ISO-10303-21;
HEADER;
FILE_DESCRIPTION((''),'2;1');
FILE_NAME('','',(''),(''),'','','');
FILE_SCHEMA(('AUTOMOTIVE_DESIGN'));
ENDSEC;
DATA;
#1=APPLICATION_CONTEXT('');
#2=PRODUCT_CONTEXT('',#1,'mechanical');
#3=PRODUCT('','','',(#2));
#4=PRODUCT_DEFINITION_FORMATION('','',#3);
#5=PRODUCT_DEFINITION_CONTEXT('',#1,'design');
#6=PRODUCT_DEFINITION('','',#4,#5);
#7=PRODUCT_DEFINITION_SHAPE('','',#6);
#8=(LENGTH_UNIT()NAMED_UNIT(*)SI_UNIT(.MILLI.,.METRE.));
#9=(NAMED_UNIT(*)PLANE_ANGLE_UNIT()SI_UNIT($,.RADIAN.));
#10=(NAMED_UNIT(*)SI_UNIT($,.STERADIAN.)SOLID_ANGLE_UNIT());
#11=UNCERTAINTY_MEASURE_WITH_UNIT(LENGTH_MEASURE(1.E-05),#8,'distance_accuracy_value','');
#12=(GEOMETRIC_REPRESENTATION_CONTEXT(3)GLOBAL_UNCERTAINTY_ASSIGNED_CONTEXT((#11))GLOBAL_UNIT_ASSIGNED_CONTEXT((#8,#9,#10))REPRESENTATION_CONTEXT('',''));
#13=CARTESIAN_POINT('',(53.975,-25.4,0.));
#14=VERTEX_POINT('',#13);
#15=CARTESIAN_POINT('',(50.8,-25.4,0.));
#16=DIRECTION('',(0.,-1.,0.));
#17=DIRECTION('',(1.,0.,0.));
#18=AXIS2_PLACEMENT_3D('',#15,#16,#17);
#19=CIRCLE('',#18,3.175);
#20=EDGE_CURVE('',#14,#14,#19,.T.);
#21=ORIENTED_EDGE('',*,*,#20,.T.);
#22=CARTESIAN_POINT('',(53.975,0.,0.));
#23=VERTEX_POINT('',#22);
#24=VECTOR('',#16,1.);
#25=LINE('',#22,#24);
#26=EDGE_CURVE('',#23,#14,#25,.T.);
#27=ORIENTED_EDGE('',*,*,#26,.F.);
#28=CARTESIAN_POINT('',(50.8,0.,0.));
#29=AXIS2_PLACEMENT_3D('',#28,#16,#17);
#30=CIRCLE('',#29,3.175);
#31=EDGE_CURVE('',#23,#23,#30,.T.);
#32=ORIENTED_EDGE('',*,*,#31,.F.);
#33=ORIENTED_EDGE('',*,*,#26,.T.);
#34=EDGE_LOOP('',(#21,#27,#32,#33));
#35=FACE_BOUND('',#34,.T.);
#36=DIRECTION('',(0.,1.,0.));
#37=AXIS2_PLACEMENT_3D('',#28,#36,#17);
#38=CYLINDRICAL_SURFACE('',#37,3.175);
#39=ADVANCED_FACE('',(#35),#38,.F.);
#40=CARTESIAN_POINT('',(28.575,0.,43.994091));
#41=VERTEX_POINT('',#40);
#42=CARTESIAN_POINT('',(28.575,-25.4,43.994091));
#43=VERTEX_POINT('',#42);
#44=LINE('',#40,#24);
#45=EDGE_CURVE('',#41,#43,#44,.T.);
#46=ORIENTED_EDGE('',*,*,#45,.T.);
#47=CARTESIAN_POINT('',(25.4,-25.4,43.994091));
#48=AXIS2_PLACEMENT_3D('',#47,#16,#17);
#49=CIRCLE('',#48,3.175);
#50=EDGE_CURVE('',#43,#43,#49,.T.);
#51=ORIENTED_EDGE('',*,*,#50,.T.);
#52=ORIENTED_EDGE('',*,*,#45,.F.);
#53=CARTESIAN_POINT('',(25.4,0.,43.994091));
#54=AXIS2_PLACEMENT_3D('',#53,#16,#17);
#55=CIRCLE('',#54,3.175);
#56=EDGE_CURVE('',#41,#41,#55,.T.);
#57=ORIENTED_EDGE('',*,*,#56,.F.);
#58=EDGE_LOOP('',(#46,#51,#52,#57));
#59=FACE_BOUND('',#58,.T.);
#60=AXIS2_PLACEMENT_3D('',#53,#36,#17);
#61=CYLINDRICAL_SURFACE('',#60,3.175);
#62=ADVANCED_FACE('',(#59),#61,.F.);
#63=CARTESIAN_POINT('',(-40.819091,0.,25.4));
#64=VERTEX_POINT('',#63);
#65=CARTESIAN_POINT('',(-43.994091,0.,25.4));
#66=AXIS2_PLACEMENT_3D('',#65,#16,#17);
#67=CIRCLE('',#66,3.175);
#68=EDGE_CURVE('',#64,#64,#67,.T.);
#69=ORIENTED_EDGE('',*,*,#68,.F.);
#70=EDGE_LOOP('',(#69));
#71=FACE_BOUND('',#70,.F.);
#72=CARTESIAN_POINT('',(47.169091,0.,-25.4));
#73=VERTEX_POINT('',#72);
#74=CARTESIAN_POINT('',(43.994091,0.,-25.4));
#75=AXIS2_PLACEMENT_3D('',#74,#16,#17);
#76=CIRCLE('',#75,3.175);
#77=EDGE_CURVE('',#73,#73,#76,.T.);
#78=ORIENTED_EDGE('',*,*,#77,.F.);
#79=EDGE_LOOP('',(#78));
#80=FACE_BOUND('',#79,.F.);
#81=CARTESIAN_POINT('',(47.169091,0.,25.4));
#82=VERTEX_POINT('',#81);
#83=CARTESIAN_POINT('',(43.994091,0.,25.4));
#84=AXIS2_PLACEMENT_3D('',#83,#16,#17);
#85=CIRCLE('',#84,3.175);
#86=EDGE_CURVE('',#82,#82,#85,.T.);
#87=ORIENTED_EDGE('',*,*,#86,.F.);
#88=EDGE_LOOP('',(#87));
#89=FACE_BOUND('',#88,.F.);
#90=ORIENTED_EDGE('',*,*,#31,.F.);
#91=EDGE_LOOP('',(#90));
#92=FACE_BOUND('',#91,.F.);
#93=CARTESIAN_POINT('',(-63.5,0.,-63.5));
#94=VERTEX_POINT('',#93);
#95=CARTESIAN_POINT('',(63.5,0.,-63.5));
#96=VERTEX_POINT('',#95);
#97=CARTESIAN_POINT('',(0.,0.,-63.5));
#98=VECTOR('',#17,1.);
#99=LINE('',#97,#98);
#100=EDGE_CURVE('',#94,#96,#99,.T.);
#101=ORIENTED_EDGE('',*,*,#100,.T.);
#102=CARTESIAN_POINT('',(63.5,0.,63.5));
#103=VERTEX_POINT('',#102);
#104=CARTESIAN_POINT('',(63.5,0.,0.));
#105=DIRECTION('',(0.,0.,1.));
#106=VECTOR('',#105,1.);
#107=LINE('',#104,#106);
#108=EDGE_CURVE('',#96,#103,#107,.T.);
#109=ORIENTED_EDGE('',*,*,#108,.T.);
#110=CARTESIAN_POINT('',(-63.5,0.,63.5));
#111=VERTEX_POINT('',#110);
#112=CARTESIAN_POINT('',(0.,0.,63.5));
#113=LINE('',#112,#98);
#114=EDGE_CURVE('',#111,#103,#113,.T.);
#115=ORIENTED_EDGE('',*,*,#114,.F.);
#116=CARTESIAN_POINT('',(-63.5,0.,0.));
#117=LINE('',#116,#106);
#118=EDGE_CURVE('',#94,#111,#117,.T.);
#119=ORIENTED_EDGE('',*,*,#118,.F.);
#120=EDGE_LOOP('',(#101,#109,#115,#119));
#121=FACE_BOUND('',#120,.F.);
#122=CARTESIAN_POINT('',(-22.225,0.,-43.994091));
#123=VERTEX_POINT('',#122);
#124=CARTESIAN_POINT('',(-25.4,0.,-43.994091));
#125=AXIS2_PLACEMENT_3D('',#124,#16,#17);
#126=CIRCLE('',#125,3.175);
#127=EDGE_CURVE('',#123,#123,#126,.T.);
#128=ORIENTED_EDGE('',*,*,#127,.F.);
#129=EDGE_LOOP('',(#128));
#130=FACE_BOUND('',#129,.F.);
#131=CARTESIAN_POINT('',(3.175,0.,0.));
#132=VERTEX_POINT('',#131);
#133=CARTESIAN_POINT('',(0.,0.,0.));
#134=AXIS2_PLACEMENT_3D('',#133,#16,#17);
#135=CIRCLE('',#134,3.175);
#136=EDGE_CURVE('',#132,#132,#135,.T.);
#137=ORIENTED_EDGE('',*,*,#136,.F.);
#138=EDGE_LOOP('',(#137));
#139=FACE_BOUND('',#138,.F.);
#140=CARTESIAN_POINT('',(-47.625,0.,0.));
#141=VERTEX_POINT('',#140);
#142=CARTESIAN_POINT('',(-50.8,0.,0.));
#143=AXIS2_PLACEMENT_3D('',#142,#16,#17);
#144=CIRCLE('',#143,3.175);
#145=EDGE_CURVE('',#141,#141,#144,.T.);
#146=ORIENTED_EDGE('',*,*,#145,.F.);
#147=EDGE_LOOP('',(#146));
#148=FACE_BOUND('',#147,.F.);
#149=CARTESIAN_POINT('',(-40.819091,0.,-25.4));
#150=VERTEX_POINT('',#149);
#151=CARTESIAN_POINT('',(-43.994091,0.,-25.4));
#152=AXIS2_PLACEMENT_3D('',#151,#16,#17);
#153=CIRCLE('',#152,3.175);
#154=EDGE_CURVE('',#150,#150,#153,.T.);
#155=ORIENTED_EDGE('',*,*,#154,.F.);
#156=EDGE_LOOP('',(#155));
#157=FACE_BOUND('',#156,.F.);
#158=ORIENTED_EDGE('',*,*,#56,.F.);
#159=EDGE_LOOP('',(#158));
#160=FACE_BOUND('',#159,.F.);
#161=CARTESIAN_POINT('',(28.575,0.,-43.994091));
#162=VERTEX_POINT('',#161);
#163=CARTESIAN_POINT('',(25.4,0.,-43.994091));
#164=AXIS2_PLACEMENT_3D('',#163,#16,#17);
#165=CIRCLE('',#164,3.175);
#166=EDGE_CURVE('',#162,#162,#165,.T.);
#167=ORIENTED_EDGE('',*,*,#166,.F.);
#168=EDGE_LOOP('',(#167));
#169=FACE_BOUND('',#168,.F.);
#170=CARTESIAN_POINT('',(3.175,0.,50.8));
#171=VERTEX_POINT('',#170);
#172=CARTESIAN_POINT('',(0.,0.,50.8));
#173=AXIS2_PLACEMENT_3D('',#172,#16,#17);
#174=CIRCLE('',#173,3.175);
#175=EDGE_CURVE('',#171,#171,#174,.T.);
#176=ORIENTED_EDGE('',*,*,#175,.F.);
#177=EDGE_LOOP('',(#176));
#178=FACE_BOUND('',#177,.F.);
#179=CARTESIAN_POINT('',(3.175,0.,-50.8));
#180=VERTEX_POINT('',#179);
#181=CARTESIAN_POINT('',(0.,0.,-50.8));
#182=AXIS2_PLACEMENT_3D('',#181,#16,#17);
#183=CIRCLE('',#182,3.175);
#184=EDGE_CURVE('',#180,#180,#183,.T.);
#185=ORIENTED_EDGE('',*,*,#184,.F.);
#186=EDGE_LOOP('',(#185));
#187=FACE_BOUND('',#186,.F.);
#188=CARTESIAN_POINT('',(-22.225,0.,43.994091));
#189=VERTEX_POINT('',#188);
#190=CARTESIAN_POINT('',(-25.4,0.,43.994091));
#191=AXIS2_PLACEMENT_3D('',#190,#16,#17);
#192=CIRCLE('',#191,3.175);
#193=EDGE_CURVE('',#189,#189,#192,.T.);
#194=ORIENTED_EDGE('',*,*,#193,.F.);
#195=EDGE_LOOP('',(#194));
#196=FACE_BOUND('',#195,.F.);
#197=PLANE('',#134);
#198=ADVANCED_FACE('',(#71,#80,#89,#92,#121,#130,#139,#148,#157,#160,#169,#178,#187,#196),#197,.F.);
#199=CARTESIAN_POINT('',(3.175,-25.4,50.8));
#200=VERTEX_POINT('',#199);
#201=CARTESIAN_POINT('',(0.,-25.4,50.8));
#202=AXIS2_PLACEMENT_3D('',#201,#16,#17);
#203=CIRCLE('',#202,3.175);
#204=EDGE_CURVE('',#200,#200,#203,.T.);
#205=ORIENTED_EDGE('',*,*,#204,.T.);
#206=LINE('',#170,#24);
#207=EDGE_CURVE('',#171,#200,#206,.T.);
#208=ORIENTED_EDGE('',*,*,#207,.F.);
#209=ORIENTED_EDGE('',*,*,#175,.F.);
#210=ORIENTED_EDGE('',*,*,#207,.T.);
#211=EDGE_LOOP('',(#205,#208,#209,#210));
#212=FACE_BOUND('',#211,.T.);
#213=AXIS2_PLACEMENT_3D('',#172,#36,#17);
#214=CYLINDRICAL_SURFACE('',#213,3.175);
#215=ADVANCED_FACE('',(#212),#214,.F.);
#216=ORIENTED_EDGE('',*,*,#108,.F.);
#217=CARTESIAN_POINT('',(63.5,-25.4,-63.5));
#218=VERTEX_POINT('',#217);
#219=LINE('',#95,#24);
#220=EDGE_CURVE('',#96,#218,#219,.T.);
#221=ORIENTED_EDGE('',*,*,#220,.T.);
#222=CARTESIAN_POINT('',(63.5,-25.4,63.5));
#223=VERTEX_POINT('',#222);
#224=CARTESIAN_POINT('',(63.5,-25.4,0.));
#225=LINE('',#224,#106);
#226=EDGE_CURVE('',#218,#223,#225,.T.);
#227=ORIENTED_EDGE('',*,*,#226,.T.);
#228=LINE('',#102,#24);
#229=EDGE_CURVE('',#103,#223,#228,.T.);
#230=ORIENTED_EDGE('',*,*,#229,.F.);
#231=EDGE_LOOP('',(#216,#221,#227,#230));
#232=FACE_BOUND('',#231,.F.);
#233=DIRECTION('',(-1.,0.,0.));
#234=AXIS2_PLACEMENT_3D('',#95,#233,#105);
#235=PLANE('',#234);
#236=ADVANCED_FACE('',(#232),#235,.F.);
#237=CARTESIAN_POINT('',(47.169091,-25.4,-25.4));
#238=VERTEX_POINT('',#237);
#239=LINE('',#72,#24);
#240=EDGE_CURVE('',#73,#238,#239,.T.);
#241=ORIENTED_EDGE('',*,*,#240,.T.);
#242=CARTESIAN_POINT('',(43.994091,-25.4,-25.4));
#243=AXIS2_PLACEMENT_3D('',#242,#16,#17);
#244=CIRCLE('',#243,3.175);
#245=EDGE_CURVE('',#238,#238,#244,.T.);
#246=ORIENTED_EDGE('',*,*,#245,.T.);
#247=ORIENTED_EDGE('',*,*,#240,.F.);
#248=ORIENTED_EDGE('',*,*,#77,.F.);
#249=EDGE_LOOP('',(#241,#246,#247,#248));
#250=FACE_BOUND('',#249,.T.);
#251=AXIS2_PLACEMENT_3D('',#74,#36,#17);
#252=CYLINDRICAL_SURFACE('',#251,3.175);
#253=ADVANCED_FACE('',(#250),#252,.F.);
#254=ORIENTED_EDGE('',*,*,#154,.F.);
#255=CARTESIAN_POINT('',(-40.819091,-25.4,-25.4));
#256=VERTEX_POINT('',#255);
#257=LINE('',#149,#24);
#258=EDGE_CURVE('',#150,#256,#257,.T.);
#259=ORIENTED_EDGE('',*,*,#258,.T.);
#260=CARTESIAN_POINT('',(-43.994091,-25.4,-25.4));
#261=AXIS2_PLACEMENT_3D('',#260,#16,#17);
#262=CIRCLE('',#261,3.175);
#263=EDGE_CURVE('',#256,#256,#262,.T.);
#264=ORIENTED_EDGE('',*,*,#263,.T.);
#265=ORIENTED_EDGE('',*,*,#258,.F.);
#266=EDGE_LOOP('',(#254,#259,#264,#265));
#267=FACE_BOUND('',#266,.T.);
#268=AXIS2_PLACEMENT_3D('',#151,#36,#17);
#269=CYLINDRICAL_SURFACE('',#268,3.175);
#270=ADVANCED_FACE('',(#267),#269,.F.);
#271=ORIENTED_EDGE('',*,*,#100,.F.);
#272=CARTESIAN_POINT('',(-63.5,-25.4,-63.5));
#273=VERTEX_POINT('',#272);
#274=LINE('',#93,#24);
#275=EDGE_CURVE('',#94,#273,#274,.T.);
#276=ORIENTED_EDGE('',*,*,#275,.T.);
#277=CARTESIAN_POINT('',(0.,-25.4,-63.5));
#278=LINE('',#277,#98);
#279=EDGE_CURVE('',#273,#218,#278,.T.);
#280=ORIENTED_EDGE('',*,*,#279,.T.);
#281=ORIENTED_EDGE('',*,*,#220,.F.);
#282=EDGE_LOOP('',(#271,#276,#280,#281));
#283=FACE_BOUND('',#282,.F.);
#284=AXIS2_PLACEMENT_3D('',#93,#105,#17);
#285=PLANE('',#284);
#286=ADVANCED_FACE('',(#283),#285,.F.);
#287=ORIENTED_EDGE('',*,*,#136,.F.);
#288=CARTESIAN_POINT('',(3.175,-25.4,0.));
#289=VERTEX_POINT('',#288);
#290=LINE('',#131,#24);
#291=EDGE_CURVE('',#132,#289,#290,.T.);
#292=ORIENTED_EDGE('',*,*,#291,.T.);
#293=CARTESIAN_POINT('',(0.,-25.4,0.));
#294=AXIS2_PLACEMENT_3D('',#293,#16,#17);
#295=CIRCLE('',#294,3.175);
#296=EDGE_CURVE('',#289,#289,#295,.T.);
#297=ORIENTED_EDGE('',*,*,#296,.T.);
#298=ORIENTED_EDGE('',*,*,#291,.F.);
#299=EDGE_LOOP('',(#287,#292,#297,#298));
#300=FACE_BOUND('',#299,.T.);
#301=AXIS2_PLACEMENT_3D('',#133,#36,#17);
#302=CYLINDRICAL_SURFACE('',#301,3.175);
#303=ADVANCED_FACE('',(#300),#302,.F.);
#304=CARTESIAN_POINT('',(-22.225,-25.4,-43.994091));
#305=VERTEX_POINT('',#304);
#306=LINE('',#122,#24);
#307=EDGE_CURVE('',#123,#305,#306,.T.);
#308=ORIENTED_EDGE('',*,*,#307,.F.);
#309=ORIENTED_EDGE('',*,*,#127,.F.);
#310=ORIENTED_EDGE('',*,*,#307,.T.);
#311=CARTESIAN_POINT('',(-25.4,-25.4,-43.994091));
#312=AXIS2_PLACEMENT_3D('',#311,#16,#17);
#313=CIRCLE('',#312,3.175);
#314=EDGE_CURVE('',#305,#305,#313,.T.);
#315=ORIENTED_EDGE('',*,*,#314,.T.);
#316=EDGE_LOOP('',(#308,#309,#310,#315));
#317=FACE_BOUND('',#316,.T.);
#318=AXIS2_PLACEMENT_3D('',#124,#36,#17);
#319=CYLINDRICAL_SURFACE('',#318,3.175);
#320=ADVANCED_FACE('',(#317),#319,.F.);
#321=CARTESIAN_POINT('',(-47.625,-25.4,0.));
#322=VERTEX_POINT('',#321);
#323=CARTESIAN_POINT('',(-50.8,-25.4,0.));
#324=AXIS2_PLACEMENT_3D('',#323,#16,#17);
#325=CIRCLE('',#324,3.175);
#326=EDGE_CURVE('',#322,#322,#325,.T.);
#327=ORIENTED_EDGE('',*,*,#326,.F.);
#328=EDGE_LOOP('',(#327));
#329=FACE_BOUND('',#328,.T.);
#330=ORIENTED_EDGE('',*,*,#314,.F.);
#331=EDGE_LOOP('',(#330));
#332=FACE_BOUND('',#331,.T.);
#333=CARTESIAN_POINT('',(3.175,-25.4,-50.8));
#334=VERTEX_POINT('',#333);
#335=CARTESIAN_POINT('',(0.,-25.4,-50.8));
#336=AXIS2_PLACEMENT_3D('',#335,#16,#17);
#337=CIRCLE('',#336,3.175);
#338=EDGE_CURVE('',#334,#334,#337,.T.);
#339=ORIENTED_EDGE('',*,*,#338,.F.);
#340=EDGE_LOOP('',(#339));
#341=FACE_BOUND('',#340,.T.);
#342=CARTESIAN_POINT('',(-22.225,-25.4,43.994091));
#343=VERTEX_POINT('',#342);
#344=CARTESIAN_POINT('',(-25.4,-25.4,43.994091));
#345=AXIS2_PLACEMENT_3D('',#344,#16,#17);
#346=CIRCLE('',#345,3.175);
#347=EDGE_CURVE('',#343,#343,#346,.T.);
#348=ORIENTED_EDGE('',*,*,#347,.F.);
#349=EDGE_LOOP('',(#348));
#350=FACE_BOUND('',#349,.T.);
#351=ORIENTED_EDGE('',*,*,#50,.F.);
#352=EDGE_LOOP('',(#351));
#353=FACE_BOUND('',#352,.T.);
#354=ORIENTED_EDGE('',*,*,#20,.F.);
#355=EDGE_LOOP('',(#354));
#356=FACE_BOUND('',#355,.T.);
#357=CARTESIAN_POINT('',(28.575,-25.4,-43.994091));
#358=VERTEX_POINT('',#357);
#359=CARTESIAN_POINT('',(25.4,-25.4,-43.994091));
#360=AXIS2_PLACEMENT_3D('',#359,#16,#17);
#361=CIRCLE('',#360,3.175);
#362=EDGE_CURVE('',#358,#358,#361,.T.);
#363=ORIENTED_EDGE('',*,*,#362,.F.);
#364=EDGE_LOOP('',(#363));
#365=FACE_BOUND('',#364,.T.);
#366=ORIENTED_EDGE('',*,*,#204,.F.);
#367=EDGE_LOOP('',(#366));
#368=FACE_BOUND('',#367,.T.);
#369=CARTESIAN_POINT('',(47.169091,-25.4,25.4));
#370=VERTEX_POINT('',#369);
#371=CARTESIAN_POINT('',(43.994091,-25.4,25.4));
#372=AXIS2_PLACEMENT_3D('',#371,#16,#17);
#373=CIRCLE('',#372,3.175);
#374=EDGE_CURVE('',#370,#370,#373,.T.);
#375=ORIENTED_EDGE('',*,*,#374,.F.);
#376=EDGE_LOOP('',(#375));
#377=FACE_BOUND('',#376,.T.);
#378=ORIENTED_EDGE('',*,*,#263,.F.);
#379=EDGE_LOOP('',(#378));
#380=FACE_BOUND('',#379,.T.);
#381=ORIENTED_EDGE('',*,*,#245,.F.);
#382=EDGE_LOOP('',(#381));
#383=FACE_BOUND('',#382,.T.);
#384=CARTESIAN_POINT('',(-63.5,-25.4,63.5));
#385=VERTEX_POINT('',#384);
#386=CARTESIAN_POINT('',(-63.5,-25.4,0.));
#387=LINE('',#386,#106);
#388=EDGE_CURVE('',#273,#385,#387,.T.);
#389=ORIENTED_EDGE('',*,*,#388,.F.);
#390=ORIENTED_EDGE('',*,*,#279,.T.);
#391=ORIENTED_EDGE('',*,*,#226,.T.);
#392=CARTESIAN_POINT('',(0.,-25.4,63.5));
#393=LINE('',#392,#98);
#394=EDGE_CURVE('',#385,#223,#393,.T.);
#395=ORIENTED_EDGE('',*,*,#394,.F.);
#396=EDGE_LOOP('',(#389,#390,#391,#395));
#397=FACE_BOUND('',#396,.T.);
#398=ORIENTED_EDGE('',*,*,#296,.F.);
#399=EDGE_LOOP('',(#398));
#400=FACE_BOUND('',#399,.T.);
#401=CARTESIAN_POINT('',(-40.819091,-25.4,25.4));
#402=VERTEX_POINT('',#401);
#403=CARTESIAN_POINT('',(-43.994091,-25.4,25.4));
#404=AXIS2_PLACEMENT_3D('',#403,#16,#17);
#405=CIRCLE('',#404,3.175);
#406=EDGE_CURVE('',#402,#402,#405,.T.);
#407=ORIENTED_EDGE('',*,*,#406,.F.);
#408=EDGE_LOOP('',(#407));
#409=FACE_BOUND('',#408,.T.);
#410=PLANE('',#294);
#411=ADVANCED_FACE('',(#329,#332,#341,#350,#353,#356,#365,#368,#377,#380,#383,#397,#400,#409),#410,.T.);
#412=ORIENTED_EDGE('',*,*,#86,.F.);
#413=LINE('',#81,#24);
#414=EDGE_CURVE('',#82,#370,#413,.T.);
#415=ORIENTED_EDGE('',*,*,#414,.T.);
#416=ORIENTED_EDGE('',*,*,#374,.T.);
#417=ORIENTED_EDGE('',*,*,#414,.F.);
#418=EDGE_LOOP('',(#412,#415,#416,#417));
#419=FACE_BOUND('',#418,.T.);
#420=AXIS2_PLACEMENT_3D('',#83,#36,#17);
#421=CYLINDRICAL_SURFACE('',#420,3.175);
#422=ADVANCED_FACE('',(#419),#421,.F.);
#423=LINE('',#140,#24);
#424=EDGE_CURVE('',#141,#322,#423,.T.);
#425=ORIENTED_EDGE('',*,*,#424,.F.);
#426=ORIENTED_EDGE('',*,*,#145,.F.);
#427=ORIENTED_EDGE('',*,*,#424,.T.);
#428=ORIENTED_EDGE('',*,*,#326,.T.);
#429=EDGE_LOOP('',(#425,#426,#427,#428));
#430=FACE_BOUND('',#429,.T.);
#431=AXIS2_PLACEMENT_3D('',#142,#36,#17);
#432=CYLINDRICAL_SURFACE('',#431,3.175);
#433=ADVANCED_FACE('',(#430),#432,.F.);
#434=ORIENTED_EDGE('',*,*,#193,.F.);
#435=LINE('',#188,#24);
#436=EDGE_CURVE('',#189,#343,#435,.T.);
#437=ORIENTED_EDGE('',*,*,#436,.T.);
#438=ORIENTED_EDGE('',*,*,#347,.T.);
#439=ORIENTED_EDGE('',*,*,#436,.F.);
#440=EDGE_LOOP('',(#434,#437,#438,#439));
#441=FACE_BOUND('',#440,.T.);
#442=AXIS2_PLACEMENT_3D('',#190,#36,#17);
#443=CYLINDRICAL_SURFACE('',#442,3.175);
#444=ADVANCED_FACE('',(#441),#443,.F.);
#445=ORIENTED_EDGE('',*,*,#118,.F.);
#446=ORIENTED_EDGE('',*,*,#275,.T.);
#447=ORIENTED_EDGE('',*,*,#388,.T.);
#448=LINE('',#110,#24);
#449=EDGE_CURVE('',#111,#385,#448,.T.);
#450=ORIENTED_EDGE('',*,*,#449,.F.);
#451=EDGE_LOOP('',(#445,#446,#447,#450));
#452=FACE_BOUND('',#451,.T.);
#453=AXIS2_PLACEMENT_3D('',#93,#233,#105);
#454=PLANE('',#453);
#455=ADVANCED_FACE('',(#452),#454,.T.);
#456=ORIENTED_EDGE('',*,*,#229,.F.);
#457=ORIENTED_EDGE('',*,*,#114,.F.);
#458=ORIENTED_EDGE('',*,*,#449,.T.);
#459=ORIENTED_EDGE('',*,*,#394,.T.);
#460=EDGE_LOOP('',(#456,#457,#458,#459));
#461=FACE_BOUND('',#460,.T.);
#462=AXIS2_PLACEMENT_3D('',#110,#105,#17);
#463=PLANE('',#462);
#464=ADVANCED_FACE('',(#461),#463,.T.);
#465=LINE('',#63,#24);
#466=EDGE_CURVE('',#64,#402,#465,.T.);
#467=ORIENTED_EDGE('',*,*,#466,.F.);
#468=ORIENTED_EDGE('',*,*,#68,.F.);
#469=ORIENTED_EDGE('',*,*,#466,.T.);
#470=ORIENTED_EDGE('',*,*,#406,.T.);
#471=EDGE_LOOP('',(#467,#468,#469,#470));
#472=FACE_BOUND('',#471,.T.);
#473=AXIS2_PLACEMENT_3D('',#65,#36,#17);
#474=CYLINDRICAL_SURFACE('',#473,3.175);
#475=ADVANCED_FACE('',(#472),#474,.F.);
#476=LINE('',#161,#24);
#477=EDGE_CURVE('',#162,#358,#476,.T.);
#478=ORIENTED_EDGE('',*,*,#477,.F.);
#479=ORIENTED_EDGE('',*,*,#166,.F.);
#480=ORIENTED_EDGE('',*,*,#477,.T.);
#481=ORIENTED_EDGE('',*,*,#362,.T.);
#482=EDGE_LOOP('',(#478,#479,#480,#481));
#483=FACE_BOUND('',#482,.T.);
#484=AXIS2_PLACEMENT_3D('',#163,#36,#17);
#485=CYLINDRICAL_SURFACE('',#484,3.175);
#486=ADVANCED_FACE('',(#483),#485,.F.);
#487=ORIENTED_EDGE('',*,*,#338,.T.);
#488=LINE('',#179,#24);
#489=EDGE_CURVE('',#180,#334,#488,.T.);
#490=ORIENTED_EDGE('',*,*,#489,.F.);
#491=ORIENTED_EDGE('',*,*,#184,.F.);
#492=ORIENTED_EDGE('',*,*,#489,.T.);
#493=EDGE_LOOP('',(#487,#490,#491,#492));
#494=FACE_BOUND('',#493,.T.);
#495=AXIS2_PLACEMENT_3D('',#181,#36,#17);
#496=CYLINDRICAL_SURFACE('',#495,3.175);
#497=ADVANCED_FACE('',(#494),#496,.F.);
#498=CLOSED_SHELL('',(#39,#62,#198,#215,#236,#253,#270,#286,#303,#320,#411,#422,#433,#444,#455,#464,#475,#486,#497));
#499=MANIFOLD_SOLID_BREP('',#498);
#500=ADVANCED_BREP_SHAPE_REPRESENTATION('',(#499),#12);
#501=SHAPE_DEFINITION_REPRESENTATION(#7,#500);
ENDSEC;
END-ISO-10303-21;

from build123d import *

# Parameters (mm, degrees)
F0_W     = 127
F0_H     = 127
F0_R     = 3.175
F1_DEPTH = 25.4


with BuildPart() as f1:
    # F0 (on Front) → F1 (new body)
    with BuildSketch(Plane.XZ):
        Rectangle(F0_W, F0_H)
        with Locations((-25.4, -43.994091)):
            Circle(F0_R, mode=Mode.SUBTRACT)
        with Locations((-43.994091, -25.4)):
            Circle(F0_R, mode=Mode.SUBTRACT)
        with Locations((0, -50.8)):
            Circle(F0_R, mode=Mode.SUBTRACT)
        with Locations((25.4, -43.994091)):
            Circle(F0_R, mode=Mode.SUBTRACT)
        with Locations((43.994091, -25.4)):
            Circle(F0_R, mode=Mode.SUBTRACT)
        with Locations((-50.8, 0)):
            Circle(F0_R, mode=Mode.SUBTRACT)
        with Locations((-43.994091, 25.4)):
            Circle(F0_R, mode=Mode.SUBTRACT)
        with Locations((-25.4, 43.994091)):
            Circle(F0_R, mode=Mode.SUBTRACT)
        Circle(F0_R, mode=Mode.SUBTRACT)
        with Locations((50.8, 0)):
            Circle(F0_R, mode=Mode.SUBTRACT)
        with Locations((43.994091, 25.4)):
            Circle(F0_R, mode=Mode.SUBTRACT)
        with Locations((25.4, 43.994091)):
            Circle(F0_R, mode=Mode.SUBTRACT)
        with Locations((0, 50.8)):
            Circle(F0_R, mode=Mode.SUBTRACT)
    extrude(amount=F1_DEPTH)


solid = f1.part
